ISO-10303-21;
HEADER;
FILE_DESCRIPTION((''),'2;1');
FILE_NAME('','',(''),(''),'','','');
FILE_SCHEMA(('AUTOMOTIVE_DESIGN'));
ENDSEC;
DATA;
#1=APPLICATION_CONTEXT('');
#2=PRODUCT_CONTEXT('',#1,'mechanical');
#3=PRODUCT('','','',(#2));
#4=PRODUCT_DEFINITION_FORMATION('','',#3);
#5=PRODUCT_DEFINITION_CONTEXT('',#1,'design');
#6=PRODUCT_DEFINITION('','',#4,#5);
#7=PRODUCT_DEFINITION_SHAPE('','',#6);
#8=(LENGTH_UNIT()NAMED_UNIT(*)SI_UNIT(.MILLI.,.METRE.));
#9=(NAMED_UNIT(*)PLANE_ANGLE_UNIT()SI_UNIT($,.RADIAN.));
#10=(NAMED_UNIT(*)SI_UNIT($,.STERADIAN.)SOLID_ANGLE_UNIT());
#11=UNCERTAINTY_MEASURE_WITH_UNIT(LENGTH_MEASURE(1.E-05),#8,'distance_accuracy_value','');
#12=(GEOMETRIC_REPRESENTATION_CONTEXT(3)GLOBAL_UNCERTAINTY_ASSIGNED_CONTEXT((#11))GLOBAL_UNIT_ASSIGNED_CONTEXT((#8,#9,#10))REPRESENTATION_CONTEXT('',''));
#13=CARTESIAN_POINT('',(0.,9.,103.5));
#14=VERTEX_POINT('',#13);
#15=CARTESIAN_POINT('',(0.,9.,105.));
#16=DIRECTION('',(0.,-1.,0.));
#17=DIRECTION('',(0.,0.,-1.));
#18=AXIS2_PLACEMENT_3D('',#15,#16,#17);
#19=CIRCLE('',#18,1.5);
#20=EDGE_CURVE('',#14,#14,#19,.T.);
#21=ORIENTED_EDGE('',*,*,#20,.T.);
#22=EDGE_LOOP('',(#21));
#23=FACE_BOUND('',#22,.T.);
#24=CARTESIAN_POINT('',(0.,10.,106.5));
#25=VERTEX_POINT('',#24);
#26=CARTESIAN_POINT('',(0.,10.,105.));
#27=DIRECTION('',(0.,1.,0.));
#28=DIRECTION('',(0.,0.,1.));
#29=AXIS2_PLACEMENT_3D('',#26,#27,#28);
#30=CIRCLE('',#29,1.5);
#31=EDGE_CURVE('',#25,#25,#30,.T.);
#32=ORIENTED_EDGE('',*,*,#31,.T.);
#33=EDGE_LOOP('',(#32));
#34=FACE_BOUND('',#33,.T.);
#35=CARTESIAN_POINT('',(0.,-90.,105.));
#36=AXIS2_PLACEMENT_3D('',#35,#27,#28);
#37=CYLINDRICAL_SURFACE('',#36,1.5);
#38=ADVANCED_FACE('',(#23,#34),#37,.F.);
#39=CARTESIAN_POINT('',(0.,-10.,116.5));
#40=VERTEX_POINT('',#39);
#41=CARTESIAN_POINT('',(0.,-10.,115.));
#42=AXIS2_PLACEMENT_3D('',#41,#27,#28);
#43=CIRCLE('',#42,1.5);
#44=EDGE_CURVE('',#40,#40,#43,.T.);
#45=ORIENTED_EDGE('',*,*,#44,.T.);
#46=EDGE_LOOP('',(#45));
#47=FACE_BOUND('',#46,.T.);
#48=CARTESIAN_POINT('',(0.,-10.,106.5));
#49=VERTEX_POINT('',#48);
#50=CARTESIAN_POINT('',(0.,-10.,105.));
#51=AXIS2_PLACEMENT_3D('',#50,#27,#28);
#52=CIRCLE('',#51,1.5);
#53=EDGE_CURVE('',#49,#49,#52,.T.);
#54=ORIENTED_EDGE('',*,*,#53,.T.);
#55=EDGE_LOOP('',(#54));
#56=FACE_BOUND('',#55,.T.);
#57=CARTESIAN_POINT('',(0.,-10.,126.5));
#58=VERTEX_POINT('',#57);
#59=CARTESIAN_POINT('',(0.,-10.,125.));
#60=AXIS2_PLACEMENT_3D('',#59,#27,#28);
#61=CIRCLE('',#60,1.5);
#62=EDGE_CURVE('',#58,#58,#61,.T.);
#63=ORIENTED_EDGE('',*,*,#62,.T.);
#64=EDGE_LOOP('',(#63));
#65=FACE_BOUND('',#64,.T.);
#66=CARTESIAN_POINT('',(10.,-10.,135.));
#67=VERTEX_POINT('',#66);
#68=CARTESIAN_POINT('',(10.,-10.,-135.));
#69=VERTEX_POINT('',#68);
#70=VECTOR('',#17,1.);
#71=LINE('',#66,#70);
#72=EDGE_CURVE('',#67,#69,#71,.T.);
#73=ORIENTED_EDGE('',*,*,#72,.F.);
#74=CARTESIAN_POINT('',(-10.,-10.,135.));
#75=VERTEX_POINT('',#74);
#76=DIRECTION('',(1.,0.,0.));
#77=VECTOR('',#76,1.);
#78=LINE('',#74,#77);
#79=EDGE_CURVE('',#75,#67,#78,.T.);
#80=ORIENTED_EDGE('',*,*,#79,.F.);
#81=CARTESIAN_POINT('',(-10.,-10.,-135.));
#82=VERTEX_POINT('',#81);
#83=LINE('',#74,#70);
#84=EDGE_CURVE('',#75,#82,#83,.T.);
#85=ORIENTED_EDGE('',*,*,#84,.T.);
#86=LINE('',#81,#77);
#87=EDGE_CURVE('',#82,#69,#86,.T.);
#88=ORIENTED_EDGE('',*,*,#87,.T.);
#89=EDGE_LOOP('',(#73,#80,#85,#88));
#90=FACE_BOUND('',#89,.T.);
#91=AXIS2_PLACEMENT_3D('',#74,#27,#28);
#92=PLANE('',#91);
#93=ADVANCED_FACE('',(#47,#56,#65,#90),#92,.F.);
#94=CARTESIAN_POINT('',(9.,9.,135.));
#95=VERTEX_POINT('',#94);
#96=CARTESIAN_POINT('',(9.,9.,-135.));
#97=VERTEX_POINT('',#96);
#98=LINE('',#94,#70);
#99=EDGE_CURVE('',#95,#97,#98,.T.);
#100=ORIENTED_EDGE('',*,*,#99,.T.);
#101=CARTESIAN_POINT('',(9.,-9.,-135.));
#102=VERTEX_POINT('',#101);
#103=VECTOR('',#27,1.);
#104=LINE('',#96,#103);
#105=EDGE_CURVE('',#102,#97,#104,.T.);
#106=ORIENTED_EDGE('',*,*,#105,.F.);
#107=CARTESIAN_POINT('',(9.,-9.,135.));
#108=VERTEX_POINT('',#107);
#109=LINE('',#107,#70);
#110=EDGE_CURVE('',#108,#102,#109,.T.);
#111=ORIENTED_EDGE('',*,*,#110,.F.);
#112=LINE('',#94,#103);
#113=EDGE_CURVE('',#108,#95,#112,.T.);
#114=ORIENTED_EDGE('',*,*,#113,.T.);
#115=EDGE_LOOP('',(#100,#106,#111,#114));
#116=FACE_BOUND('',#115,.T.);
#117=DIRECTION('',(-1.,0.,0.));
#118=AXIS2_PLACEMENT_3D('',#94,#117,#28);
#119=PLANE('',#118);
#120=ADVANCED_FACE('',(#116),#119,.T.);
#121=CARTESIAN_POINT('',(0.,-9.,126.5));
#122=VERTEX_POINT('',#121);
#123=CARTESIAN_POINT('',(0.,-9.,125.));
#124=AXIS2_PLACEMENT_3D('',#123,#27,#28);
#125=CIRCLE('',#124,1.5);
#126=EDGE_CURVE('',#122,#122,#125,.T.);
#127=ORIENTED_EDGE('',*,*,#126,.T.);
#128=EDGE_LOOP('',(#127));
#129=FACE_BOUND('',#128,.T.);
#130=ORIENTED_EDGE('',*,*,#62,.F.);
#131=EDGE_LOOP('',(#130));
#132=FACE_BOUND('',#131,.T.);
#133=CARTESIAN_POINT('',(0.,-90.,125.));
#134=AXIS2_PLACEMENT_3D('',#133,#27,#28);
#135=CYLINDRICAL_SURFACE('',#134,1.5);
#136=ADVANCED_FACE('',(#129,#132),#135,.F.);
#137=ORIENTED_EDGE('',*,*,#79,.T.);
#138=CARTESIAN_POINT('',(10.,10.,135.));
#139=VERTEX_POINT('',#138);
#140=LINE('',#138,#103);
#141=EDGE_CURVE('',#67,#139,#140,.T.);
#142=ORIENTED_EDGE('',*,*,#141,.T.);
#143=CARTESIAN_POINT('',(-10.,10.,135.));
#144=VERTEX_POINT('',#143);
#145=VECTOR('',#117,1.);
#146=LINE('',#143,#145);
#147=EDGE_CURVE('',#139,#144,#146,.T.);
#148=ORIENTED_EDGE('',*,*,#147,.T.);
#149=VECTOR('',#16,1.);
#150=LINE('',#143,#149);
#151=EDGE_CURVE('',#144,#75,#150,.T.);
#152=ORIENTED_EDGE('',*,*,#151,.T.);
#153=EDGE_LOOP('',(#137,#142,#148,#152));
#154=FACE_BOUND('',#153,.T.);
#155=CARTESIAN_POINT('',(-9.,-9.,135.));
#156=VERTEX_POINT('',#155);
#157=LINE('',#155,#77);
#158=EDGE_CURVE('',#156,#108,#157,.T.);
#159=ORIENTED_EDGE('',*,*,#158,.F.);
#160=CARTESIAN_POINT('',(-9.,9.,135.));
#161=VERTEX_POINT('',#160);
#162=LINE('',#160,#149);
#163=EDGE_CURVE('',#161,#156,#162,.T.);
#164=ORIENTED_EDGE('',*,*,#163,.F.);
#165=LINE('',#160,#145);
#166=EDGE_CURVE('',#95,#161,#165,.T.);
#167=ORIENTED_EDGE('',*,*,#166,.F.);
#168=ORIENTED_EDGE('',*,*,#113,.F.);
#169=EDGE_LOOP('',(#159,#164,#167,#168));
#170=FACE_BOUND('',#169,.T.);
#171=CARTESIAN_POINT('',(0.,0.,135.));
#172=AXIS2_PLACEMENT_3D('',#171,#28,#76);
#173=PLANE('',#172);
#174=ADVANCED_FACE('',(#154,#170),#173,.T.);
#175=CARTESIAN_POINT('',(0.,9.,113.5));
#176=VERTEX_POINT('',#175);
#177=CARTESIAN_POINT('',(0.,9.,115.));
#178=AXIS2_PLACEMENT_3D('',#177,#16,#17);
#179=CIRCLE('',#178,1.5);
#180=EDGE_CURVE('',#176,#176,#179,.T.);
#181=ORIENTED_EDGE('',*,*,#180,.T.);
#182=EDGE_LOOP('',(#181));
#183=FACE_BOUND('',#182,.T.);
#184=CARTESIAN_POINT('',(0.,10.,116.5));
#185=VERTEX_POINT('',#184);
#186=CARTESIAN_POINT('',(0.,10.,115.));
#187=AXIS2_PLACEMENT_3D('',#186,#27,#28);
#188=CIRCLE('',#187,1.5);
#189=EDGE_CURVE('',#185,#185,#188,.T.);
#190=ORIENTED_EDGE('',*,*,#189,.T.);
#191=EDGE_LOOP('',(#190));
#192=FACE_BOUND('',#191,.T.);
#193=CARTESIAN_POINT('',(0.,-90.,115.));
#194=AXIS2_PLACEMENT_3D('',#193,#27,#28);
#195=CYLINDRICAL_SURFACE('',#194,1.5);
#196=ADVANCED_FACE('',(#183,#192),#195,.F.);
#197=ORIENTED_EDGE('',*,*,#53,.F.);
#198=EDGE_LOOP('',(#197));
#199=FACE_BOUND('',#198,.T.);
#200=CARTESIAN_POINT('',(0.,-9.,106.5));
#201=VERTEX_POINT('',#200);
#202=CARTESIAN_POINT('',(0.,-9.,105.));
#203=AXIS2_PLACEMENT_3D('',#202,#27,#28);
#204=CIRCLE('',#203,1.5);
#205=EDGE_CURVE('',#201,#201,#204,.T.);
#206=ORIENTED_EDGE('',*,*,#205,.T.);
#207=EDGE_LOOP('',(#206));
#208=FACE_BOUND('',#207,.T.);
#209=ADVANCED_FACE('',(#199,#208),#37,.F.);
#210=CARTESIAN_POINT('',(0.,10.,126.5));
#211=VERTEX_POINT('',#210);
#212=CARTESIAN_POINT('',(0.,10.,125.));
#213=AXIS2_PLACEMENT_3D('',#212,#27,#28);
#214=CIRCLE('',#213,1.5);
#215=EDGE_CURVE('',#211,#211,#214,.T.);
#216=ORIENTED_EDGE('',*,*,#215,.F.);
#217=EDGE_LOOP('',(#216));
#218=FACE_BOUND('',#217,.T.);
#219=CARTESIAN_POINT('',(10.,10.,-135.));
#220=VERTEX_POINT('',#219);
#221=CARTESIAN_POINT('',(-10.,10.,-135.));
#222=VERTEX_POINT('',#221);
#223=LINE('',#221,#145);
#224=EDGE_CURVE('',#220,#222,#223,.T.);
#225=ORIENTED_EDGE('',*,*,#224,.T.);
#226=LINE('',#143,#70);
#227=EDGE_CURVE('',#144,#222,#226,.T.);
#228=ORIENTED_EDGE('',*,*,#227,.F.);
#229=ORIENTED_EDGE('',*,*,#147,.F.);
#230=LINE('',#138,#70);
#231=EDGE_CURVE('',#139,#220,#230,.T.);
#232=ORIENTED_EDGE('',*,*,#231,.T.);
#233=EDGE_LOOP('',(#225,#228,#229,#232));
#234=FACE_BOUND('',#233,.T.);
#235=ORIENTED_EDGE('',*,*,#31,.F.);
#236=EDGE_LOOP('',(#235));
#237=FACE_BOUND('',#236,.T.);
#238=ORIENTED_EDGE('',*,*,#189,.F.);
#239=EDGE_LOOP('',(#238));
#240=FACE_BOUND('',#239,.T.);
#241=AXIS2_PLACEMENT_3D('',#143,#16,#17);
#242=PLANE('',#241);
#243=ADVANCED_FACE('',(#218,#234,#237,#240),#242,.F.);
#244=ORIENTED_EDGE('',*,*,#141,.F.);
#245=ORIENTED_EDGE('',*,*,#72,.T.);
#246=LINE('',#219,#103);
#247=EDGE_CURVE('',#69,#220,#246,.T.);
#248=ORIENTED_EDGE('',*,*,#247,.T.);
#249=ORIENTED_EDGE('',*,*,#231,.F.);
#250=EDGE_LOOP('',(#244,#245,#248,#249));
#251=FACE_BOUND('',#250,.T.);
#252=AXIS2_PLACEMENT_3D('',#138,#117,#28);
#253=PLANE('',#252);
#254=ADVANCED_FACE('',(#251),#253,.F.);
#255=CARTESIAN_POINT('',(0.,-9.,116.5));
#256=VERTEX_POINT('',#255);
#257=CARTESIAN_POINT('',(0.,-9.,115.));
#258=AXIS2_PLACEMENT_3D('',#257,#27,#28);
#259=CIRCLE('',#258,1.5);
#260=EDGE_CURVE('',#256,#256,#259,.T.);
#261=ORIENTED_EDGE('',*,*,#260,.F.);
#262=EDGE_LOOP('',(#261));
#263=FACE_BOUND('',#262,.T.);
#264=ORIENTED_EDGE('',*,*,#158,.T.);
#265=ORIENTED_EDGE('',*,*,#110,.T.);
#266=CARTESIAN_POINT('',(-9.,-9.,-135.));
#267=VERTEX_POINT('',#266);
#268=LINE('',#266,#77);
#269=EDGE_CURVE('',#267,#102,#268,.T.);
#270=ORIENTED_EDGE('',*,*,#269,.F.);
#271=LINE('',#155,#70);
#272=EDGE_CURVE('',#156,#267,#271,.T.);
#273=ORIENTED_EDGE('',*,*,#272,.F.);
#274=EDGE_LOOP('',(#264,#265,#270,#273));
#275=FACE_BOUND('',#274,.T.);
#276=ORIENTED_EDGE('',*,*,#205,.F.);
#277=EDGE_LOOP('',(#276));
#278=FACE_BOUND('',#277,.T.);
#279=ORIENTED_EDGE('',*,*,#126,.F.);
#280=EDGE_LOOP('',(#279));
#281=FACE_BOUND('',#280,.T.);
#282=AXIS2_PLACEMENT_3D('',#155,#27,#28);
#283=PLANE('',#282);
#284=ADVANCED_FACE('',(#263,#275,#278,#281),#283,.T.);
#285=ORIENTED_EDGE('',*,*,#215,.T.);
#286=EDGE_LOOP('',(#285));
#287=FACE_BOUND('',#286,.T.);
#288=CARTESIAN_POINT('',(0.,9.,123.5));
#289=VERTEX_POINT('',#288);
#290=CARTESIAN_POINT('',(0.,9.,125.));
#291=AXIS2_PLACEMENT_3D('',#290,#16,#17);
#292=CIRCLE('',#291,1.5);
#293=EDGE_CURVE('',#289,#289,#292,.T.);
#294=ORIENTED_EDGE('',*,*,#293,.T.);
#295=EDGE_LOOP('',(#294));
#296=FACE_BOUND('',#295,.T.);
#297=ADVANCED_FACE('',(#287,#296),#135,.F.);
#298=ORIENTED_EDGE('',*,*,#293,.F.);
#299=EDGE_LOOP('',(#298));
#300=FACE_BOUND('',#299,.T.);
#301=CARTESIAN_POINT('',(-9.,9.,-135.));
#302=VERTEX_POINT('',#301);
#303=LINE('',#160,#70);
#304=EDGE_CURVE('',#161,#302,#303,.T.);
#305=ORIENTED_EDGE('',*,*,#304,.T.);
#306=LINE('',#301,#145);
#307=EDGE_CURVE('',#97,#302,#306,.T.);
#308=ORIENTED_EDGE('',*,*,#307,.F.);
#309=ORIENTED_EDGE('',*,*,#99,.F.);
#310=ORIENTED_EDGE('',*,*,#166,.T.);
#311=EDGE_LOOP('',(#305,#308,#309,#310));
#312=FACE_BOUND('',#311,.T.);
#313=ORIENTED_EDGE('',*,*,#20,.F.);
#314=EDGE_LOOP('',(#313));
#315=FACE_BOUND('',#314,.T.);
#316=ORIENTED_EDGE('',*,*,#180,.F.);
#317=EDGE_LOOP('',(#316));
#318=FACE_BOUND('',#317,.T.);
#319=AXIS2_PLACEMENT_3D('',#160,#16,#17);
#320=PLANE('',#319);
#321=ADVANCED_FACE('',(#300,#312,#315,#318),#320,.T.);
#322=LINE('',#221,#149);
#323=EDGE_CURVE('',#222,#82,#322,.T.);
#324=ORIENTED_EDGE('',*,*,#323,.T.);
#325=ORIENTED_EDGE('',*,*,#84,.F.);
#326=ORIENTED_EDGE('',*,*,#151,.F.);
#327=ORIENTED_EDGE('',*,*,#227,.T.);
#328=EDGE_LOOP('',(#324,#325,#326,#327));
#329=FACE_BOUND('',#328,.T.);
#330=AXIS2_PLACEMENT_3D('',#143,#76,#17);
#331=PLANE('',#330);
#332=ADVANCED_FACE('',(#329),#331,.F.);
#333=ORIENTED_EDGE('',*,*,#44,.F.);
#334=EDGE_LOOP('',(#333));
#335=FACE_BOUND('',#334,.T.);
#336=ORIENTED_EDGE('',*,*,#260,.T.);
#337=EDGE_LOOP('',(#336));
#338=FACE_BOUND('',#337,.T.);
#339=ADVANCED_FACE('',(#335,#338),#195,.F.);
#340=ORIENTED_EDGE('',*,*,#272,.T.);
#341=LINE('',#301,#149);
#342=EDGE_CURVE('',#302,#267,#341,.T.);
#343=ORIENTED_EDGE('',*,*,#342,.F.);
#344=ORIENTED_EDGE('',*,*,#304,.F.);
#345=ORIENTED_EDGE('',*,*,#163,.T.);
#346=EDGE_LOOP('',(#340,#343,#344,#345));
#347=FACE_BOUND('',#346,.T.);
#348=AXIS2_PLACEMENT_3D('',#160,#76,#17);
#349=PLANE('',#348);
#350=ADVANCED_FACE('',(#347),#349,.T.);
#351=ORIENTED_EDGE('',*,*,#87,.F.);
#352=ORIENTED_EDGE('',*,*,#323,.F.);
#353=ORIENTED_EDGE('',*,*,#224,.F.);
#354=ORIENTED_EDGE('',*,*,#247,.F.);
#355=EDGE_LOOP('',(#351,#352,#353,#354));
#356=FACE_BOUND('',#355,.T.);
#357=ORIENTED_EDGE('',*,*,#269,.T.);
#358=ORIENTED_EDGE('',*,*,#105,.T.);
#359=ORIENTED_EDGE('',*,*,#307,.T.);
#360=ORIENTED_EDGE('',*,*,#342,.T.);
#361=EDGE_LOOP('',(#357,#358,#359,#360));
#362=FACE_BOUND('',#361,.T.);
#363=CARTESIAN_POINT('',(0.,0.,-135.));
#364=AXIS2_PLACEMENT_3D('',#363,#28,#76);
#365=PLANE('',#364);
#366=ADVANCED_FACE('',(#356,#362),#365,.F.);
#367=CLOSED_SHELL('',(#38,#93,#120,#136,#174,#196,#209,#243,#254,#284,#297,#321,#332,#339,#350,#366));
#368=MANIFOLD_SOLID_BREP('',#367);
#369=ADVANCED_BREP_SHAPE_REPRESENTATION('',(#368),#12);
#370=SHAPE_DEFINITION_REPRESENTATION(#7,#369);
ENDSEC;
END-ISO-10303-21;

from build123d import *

# Parameters (mm, degrees)
SKETCH_1_W          = 20
SKETCH_1_H          = 20
SKETCH_1_W_2        = 18
SKETCH_1_H_2        = 18
EXTRUDE_1_DEPTH     = 135
SKETCH_2_R          = 1.5
CUT_EXTRUDE_1_DEPTH = 100


with BuildPart() as part:
    # 草图1 → 凸台-拉伸1 (new, symmetric)
    with BuildSketch(Plane.XY):
        Rectangle(SKETCH_1_W, SKETCH_1_H)
        Rectangle(SKETCH_1_W_2, SKETCH_1_H_2, mode=Mode.SUBTRACT)
    extrude(amount=EXTRUDE_1_DEPTH, both=True)

    # 草图2 → 切除-拉伸1 (cut)
    with BuildSketch(Plane(origin=(0, 10, 0), x_dir=(1, 0, 0), z_dir=(0, 1, 0))):
        with Locations(Location((0, -125, 0), (0, 0, 270))):
            Circle(SKETCH_2_R)
        with Locations(Location((0, -115, 0), (0, 0, 270))):
            Circle(SKETCH_2_R)
        with Locations(Location((0, -105, 0), (0, 0, 270))):
            Circle(SKETCH_2_R)
    extrude(amount=-CUT_EXTRUDE_1_DEPTH, mode=Mode.SUBTRACT)


solid = part.part
